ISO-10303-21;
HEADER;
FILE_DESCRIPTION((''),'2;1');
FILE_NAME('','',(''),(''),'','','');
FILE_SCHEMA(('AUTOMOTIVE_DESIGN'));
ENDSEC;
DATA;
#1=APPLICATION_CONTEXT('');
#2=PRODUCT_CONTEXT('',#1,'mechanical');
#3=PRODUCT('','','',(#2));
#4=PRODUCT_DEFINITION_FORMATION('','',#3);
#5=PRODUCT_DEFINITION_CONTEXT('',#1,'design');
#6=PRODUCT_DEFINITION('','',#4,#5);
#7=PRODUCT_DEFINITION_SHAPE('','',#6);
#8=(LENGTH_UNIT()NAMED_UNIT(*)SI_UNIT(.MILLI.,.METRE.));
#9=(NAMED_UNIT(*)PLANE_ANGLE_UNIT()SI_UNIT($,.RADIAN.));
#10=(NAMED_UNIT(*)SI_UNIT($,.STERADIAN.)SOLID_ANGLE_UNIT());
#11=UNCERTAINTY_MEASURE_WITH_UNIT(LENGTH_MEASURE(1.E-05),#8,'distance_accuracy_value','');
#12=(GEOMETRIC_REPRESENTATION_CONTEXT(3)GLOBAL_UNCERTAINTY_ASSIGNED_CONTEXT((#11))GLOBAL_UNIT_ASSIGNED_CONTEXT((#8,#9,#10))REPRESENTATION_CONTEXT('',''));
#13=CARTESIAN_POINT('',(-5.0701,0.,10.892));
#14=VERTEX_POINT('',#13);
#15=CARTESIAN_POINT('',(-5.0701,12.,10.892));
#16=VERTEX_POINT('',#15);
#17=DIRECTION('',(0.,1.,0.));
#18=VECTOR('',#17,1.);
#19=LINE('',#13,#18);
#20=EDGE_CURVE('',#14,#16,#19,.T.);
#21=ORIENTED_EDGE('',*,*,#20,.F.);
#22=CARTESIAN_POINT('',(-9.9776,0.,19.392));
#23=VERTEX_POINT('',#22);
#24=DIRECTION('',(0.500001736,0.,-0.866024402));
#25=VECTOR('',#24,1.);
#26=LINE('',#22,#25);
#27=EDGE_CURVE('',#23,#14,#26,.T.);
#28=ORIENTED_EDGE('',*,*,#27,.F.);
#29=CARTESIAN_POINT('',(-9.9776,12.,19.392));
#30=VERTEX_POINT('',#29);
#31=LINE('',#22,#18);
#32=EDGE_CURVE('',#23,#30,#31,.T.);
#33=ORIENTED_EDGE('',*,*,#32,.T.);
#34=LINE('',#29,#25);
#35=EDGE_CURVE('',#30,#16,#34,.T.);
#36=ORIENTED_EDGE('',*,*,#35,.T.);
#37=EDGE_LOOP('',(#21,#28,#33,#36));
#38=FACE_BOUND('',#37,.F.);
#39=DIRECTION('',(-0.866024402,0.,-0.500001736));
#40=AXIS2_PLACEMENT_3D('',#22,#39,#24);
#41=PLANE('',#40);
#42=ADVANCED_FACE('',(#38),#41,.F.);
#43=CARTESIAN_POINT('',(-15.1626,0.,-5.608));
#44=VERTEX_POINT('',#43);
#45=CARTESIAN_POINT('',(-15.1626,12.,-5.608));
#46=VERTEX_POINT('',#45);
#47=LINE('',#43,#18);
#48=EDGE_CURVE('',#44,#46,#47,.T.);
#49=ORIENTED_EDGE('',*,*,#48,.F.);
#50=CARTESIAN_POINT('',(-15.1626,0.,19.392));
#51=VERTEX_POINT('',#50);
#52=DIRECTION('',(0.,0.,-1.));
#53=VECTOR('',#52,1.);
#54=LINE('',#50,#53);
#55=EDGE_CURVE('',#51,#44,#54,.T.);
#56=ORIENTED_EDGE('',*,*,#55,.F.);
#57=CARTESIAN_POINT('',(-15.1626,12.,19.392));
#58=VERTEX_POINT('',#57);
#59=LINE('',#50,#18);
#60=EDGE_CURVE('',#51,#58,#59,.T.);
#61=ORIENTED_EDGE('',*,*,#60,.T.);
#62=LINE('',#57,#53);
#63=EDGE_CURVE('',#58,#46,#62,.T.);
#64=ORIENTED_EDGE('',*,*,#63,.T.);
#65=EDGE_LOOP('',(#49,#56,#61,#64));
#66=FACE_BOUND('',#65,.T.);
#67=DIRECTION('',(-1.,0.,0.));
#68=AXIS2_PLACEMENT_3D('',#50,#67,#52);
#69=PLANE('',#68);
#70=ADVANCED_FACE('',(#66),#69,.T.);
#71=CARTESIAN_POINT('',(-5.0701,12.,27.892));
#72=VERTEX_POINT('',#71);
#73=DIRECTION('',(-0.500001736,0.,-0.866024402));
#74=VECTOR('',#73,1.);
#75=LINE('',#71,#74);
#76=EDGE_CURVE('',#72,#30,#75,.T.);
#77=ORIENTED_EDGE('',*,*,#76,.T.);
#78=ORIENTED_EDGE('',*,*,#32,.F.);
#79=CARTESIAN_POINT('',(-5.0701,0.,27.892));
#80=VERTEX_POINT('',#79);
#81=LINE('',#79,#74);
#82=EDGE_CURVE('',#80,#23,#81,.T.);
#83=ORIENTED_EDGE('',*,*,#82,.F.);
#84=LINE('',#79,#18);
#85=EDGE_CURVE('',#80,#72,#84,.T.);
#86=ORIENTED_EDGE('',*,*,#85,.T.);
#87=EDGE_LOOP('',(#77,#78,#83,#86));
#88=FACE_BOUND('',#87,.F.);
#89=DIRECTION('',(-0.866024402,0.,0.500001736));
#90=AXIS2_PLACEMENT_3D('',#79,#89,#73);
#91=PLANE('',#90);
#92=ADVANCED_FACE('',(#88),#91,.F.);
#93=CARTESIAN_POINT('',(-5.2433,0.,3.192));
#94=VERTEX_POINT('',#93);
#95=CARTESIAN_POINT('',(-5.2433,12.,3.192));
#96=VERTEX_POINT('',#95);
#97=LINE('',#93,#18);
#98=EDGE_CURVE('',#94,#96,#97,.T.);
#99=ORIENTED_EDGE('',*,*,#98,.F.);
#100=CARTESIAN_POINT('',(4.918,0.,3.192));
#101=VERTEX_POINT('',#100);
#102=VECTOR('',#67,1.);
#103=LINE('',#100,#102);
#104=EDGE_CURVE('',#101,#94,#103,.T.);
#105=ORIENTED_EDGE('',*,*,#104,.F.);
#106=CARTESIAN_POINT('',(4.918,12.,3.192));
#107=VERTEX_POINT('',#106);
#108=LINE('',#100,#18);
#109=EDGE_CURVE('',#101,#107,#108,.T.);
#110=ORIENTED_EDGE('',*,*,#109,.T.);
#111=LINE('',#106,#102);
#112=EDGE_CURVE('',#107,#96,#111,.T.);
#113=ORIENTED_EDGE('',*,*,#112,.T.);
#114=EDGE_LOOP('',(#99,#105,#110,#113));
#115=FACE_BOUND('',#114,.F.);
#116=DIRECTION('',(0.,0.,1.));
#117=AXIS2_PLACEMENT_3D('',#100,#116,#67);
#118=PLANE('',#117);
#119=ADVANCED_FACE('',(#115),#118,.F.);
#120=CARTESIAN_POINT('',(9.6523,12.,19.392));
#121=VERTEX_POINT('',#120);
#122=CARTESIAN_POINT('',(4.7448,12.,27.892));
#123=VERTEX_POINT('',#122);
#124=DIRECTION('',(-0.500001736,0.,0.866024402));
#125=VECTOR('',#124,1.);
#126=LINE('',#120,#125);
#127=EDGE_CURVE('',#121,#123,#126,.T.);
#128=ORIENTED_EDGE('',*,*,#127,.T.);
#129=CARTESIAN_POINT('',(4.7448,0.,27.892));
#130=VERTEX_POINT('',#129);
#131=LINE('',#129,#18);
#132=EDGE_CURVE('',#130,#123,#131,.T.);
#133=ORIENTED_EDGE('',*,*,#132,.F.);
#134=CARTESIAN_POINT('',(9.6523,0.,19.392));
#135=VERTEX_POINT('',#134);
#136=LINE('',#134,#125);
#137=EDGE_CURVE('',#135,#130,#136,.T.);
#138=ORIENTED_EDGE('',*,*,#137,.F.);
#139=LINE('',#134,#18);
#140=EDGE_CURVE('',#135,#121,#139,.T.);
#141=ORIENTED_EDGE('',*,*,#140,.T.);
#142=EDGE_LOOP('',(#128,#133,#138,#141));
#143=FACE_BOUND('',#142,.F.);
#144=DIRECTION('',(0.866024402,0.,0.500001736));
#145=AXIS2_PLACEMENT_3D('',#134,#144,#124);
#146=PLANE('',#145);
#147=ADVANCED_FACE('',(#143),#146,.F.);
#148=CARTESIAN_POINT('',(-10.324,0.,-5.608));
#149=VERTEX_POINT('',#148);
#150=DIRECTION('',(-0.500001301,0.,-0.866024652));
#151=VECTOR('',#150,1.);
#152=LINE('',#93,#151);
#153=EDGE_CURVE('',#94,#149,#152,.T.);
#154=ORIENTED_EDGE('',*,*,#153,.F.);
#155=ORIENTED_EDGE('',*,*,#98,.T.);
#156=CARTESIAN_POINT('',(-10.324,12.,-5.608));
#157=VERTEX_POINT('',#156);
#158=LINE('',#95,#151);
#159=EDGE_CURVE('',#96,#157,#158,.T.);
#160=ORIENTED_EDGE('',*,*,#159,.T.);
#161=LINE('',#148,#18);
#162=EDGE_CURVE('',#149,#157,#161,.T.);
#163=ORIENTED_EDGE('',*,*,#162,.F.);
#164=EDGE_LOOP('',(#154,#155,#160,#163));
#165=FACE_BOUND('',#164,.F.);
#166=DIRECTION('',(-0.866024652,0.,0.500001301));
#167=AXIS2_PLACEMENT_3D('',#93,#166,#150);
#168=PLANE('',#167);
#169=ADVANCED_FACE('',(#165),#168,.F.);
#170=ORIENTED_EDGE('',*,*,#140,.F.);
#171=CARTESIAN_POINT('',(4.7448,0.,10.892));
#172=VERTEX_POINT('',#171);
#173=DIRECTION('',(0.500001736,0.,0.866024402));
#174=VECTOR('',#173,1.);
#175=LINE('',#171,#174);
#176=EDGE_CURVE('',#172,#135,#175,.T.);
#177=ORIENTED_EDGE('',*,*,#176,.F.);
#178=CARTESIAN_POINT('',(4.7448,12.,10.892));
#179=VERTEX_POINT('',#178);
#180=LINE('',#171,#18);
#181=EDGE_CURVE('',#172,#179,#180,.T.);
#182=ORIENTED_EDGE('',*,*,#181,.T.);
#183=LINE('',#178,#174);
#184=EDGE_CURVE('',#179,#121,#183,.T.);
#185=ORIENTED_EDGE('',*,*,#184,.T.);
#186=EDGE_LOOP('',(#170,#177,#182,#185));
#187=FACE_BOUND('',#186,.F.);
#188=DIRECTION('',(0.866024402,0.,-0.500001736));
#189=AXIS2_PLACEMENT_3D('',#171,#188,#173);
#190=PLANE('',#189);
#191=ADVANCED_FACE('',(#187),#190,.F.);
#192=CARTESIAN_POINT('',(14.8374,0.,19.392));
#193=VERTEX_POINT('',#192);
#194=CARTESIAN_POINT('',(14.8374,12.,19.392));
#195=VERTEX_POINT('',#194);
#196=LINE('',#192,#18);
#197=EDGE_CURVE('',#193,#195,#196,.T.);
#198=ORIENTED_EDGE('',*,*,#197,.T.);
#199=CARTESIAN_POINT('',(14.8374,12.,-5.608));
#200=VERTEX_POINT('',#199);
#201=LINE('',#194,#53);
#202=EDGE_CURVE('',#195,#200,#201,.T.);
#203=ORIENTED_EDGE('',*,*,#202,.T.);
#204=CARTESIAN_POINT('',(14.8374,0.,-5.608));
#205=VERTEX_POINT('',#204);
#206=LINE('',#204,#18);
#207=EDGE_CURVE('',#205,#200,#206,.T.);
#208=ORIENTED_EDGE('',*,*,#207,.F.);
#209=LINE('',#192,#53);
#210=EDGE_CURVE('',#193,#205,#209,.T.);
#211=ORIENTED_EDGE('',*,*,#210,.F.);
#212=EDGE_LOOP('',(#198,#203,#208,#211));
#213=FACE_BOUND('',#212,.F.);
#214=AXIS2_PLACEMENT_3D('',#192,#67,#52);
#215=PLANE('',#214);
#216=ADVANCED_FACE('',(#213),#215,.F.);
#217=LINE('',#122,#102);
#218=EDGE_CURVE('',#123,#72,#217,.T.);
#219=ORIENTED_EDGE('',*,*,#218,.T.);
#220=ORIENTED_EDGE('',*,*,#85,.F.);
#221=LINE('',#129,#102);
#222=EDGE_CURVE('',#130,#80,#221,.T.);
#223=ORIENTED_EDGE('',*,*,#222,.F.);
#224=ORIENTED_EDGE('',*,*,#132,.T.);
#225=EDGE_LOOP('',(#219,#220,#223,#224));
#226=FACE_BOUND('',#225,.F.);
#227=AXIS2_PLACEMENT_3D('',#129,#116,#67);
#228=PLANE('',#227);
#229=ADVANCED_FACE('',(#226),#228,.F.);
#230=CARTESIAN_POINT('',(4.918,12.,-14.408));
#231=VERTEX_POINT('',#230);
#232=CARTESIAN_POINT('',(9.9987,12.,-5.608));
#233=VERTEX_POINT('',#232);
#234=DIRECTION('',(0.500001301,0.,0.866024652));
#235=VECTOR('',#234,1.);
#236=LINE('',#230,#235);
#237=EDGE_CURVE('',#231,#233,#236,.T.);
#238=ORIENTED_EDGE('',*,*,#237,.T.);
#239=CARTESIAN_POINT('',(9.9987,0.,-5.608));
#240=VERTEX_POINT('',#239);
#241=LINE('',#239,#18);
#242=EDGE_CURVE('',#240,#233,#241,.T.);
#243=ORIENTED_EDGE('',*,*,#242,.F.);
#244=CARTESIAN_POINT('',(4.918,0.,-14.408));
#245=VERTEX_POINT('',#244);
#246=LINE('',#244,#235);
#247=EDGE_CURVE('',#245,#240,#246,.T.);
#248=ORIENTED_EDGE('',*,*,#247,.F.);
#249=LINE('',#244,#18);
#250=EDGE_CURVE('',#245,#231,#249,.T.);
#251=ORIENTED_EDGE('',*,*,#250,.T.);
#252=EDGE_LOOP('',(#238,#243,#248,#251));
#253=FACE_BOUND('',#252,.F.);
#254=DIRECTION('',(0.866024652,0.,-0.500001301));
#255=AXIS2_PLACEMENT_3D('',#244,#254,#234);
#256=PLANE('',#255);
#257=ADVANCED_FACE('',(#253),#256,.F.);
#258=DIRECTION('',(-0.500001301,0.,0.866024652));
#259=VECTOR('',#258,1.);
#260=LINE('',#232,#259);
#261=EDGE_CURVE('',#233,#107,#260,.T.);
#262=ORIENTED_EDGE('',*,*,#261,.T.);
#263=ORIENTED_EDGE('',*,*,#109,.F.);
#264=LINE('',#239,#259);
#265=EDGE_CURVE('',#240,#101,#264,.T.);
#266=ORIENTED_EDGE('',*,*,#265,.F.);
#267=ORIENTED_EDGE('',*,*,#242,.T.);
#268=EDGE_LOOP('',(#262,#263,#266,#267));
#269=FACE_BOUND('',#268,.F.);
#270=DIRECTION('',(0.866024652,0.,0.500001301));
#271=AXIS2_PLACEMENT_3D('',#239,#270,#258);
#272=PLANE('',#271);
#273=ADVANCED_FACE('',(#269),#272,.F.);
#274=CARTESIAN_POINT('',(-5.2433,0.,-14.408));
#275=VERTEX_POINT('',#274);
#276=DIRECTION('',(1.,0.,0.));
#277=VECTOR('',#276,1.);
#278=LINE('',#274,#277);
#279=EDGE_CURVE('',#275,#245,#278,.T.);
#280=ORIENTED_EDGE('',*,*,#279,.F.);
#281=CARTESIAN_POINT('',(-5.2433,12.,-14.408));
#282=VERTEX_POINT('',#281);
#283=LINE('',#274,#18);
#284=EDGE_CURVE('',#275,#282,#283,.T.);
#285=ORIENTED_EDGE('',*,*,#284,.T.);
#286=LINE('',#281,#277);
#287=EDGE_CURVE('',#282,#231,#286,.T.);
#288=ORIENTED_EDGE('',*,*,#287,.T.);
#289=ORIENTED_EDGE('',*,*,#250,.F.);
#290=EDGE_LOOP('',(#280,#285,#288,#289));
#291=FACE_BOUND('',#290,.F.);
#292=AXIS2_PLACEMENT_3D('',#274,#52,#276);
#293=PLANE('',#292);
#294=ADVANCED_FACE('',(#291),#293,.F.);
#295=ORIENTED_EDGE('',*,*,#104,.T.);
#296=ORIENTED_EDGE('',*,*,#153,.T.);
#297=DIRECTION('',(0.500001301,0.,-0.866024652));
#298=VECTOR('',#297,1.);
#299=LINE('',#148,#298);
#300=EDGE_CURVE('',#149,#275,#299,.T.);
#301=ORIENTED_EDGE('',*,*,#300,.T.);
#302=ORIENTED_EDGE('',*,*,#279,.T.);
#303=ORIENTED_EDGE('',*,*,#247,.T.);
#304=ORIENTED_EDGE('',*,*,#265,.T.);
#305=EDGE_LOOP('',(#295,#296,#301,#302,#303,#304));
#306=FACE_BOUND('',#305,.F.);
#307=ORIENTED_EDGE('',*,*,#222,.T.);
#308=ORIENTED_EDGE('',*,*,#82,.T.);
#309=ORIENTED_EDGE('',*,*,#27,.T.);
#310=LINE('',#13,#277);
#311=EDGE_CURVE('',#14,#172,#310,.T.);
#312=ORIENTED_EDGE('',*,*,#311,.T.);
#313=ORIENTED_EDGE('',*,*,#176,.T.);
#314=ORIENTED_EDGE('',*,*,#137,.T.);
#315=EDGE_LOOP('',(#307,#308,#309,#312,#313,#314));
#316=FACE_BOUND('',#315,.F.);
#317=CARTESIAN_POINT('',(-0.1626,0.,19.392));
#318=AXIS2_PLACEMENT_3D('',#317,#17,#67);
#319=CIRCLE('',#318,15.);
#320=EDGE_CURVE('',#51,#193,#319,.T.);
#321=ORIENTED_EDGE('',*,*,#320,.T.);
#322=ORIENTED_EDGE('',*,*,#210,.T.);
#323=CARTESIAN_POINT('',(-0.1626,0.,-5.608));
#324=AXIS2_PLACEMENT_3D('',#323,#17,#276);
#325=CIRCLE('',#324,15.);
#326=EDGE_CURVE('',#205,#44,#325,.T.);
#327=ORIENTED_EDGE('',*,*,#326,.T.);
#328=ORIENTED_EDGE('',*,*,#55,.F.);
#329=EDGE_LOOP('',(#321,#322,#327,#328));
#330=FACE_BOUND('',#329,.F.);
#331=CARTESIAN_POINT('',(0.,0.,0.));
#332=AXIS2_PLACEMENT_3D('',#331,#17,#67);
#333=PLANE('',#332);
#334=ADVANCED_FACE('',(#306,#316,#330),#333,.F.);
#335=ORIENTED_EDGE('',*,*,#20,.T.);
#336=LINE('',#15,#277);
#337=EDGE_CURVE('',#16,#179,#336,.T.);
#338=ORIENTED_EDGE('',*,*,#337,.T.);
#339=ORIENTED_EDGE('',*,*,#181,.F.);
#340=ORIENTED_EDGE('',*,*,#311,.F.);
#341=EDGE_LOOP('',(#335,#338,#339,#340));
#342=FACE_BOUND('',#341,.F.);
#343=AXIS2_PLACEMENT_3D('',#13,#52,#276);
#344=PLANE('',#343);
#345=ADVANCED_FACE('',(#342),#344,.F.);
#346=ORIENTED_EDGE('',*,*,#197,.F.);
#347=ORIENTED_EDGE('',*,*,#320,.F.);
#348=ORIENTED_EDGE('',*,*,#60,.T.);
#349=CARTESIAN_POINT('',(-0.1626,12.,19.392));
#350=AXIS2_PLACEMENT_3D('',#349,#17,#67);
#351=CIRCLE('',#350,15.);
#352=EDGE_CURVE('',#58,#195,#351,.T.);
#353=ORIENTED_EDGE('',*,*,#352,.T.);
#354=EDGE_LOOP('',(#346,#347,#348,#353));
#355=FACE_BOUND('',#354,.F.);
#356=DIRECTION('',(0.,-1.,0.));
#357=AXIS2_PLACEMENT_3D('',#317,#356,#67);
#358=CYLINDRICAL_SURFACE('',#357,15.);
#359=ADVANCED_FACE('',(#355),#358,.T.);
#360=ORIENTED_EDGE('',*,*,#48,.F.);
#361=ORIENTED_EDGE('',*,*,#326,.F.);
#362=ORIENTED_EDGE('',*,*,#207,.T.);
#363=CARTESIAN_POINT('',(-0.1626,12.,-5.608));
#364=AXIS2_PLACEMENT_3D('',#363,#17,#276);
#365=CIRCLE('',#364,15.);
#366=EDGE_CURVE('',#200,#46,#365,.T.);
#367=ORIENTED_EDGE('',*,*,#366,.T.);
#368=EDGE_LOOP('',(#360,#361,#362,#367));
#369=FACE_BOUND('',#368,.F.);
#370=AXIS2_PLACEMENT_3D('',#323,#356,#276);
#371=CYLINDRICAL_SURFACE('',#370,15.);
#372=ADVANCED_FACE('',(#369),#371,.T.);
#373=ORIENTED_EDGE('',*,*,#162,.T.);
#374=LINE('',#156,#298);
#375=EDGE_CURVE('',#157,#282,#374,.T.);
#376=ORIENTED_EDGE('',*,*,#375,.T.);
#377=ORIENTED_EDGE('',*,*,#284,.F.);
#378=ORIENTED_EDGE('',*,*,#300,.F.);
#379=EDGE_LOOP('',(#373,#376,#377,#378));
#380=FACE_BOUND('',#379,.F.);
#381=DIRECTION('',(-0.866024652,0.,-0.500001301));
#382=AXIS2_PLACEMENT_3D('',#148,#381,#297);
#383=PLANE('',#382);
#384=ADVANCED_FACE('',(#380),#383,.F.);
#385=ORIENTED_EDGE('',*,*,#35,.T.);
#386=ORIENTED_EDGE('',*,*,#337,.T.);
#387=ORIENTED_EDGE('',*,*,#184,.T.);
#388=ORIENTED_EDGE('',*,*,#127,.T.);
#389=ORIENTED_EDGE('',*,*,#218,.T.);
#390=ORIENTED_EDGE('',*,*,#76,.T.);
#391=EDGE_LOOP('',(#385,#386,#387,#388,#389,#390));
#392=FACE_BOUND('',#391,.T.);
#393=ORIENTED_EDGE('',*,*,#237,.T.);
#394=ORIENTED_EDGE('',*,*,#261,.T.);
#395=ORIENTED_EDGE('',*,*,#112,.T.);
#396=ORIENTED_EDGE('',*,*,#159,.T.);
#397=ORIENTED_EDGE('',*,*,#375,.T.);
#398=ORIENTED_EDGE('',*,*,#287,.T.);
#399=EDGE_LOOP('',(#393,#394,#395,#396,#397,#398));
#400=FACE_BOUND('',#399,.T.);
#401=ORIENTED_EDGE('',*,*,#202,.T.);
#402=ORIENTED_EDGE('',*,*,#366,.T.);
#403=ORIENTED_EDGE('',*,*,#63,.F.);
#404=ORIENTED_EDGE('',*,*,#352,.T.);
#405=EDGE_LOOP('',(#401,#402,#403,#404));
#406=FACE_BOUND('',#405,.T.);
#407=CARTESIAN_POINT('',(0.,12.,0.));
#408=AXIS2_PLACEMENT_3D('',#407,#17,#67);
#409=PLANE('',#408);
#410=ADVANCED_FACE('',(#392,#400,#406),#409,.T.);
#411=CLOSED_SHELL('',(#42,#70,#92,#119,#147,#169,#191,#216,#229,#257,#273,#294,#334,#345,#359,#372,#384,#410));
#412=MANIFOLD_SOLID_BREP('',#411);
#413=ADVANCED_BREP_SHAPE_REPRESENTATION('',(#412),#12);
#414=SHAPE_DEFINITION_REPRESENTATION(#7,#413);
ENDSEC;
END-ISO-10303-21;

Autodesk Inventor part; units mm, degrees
ref_plane "YZ Plane" through (0, 0, 0) normal (1, 0, 0) x (0, 1, 0)
ref_plane "XZ Plane" through (0, 0, 0) normal (0, 1, 0) x (-1, 0, 0)
ref_plane "XY Plane" through (0, 0, 0) normal (0, 0, 1) x (1, 0, 0)
sketch "Sketch1" plane through (0, 0, 0) normal (0, 1, 0) x (-1, 0, 0)
  line L0 (-9.6523, 19.392) -> (-4.7448, 27.892)
  line L1 (-4.7448, 27.892) -> (5.0701, 27.892)
  line L2 (5.0701, 27.892) -> (9.9776, 19.392)
  line L3 (9.9776, 19.392) -> (5.0701, 10.892)
  line L4 (5.0701, 10.892) -> (-4.7448, 10.892)
  line L5 (-4.7448, 10.892) -> (-9.6523, 19.392)
  line L6 (-4.918, -14.408) -> (-9.9987, -5.608)
  line L7 (-9.9987, -5.608) -> (-4.918, 3.192)
  line L8 (-4.918, 3.192) -> (5.2433, 3.192)
  line L9 (5.2433, 3.192) -> (10.324, -5.608)
  line L10 (10.324, -5.608) -> (5.2433, -14.408)
  line L11 (5.2433, -14.408) -> (-4.918, -14.408)
  line L12 (-8.4421, 41.1326) -> (9.2977, 41.1326)
  line L13 (15.1626, 19.392) -> (15.1626, -5.608)
  line L14 (-14.8374, 19.392) -> (-14.8374, -5.608)
  arc A0 (-14.8374, -5.608) -> (15.1626, -5.608) centre (0.1626, -5.608) ccw
  arc A1 (15.1626, 19.392) -> (-14.8374, 19.392) centre (0.1626, 19.392) ccw
  point P0 (0, 0)
  dimension "d0" = 8.5
  dimension "d1" = 8.8
  dimension "d2" = 25
  dimension "d5" = 15
extrude "Extrusion1" add sketch "Sketch1" along normal blind 12
sketch "Sketch2" plane through (0, 12, 0) normal (0, 1, 0) x (1, 0, 0)
  point P0 (0, 0)
properties part number "Sujeción venturi a ventosa_3DPrint"
